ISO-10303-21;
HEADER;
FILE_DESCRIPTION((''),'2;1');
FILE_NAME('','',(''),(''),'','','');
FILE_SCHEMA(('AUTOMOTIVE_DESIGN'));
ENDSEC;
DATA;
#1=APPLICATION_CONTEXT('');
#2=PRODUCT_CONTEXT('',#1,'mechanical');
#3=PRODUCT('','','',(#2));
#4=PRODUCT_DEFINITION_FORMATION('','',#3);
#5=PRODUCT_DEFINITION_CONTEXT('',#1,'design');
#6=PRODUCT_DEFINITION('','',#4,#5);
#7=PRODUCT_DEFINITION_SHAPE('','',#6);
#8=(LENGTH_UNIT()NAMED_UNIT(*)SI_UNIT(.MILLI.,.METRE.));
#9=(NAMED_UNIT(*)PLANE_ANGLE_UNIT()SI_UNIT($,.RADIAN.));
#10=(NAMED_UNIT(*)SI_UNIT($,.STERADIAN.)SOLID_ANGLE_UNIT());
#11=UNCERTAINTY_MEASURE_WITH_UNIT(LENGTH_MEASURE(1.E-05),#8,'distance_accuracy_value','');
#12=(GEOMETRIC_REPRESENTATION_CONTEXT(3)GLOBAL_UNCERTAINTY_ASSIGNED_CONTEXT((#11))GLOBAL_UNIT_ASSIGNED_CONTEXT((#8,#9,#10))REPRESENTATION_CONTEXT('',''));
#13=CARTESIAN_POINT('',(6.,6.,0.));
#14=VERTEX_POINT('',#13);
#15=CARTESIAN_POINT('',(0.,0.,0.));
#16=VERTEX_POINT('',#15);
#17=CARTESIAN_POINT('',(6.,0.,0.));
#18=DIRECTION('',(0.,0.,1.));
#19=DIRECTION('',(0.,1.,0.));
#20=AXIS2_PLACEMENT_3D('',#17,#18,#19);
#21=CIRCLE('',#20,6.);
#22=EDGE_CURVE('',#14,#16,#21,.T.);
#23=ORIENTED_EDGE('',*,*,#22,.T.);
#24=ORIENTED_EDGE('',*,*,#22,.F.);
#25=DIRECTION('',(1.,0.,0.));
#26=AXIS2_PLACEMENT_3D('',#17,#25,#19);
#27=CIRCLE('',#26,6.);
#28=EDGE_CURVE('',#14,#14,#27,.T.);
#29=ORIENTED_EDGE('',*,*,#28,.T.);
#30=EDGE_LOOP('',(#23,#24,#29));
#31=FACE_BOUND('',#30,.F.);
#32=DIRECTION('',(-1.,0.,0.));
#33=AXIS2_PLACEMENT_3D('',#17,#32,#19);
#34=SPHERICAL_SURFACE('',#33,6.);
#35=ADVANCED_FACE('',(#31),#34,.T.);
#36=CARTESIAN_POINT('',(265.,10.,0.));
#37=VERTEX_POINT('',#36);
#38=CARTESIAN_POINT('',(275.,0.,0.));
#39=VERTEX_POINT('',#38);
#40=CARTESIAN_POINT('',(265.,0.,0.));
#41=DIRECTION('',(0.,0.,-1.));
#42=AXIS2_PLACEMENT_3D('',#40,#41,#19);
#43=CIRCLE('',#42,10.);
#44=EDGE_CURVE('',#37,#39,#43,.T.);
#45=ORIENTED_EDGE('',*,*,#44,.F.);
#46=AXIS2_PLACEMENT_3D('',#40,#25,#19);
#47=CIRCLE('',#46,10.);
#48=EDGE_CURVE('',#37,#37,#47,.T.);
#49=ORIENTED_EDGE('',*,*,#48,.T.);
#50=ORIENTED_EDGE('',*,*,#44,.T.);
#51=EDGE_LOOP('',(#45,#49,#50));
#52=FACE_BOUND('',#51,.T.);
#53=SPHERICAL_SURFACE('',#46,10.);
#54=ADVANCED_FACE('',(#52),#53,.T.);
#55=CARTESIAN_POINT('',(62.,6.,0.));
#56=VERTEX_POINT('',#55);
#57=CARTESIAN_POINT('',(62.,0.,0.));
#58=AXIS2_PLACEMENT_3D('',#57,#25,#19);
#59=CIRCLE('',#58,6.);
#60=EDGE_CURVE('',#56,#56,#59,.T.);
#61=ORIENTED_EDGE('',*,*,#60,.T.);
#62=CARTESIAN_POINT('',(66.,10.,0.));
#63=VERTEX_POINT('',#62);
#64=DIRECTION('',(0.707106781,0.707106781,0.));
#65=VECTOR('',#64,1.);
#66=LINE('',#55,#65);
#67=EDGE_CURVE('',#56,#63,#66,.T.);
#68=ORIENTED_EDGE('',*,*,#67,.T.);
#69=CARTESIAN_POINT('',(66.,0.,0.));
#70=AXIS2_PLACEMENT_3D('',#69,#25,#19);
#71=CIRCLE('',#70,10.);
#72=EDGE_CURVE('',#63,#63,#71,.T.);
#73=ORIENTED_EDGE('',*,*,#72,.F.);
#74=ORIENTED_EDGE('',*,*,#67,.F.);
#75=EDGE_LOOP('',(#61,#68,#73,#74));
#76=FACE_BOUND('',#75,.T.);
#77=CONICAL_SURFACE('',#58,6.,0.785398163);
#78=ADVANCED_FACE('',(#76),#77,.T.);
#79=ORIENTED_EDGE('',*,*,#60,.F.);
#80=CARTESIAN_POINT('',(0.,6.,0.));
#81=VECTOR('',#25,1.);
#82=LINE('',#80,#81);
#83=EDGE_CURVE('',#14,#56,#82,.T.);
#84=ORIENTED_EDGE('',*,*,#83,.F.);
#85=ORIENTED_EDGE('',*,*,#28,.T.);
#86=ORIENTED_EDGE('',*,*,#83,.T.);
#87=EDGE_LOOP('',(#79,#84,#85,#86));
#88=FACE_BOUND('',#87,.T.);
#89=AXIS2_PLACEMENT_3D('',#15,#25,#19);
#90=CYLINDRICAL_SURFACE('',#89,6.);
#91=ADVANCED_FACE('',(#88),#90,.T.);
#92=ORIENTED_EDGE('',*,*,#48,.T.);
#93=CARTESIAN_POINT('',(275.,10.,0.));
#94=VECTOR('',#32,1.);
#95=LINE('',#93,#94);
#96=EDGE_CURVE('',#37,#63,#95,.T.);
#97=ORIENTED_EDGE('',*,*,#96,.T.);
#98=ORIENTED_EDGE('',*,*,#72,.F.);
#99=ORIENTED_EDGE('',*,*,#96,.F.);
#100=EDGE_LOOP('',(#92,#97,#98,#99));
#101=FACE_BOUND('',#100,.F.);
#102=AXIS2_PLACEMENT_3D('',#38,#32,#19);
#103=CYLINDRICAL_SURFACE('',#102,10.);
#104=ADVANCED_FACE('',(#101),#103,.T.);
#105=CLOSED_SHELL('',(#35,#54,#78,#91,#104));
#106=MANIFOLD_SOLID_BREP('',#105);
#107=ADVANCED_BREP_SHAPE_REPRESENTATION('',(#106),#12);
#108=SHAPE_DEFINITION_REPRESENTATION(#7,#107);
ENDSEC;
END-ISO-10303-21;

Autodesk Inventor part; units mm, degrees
ref_plane "YZ Plane" through (0, 0, 0) normal (1, 0, 0) x (0, 1, 0)
ref_plane "XZ Plane" through (0, 0, 0) normal (0, 1, 0) x (-1, 0, 0)
ref_plane "XY Plane" through (0, 0, 0) normal (0, 0, 1) x (1, 0, 0)
sketch "Sketch1" plane through (0, 0, 0) normal (0, 0, 1) x (1, 0, 0)
  line L0 (0, 0) -> (275, 0)
  line L1 (275, 0) -> (275, 10)
  line L2 (0, 0) -> (0, 6)
  line L3 (0, 6) -> (62, 6)
  line L4 (62, 6) -> (66, 10)
  line L5 (275, 10) -> (66, 10)
  dimension "d0" = 275
  dimension "d1" = 10
  dimension "d2" = 6
  dimension "d3" = 62
  dimension "d5" = 135
revolve "Revolution1" add sketch "Sketch1" angle 360 about axis through (0, 0, 0) along (1, 0, 0)
fillet "Fillet1" [suppressed]
fillet "Fillet2" radius 10 1 edges at (275, -10, 0)
fillet "Fillet3" radius 6 1 edges at (0, -6, 0)
properties part number "Tommy Bar"
